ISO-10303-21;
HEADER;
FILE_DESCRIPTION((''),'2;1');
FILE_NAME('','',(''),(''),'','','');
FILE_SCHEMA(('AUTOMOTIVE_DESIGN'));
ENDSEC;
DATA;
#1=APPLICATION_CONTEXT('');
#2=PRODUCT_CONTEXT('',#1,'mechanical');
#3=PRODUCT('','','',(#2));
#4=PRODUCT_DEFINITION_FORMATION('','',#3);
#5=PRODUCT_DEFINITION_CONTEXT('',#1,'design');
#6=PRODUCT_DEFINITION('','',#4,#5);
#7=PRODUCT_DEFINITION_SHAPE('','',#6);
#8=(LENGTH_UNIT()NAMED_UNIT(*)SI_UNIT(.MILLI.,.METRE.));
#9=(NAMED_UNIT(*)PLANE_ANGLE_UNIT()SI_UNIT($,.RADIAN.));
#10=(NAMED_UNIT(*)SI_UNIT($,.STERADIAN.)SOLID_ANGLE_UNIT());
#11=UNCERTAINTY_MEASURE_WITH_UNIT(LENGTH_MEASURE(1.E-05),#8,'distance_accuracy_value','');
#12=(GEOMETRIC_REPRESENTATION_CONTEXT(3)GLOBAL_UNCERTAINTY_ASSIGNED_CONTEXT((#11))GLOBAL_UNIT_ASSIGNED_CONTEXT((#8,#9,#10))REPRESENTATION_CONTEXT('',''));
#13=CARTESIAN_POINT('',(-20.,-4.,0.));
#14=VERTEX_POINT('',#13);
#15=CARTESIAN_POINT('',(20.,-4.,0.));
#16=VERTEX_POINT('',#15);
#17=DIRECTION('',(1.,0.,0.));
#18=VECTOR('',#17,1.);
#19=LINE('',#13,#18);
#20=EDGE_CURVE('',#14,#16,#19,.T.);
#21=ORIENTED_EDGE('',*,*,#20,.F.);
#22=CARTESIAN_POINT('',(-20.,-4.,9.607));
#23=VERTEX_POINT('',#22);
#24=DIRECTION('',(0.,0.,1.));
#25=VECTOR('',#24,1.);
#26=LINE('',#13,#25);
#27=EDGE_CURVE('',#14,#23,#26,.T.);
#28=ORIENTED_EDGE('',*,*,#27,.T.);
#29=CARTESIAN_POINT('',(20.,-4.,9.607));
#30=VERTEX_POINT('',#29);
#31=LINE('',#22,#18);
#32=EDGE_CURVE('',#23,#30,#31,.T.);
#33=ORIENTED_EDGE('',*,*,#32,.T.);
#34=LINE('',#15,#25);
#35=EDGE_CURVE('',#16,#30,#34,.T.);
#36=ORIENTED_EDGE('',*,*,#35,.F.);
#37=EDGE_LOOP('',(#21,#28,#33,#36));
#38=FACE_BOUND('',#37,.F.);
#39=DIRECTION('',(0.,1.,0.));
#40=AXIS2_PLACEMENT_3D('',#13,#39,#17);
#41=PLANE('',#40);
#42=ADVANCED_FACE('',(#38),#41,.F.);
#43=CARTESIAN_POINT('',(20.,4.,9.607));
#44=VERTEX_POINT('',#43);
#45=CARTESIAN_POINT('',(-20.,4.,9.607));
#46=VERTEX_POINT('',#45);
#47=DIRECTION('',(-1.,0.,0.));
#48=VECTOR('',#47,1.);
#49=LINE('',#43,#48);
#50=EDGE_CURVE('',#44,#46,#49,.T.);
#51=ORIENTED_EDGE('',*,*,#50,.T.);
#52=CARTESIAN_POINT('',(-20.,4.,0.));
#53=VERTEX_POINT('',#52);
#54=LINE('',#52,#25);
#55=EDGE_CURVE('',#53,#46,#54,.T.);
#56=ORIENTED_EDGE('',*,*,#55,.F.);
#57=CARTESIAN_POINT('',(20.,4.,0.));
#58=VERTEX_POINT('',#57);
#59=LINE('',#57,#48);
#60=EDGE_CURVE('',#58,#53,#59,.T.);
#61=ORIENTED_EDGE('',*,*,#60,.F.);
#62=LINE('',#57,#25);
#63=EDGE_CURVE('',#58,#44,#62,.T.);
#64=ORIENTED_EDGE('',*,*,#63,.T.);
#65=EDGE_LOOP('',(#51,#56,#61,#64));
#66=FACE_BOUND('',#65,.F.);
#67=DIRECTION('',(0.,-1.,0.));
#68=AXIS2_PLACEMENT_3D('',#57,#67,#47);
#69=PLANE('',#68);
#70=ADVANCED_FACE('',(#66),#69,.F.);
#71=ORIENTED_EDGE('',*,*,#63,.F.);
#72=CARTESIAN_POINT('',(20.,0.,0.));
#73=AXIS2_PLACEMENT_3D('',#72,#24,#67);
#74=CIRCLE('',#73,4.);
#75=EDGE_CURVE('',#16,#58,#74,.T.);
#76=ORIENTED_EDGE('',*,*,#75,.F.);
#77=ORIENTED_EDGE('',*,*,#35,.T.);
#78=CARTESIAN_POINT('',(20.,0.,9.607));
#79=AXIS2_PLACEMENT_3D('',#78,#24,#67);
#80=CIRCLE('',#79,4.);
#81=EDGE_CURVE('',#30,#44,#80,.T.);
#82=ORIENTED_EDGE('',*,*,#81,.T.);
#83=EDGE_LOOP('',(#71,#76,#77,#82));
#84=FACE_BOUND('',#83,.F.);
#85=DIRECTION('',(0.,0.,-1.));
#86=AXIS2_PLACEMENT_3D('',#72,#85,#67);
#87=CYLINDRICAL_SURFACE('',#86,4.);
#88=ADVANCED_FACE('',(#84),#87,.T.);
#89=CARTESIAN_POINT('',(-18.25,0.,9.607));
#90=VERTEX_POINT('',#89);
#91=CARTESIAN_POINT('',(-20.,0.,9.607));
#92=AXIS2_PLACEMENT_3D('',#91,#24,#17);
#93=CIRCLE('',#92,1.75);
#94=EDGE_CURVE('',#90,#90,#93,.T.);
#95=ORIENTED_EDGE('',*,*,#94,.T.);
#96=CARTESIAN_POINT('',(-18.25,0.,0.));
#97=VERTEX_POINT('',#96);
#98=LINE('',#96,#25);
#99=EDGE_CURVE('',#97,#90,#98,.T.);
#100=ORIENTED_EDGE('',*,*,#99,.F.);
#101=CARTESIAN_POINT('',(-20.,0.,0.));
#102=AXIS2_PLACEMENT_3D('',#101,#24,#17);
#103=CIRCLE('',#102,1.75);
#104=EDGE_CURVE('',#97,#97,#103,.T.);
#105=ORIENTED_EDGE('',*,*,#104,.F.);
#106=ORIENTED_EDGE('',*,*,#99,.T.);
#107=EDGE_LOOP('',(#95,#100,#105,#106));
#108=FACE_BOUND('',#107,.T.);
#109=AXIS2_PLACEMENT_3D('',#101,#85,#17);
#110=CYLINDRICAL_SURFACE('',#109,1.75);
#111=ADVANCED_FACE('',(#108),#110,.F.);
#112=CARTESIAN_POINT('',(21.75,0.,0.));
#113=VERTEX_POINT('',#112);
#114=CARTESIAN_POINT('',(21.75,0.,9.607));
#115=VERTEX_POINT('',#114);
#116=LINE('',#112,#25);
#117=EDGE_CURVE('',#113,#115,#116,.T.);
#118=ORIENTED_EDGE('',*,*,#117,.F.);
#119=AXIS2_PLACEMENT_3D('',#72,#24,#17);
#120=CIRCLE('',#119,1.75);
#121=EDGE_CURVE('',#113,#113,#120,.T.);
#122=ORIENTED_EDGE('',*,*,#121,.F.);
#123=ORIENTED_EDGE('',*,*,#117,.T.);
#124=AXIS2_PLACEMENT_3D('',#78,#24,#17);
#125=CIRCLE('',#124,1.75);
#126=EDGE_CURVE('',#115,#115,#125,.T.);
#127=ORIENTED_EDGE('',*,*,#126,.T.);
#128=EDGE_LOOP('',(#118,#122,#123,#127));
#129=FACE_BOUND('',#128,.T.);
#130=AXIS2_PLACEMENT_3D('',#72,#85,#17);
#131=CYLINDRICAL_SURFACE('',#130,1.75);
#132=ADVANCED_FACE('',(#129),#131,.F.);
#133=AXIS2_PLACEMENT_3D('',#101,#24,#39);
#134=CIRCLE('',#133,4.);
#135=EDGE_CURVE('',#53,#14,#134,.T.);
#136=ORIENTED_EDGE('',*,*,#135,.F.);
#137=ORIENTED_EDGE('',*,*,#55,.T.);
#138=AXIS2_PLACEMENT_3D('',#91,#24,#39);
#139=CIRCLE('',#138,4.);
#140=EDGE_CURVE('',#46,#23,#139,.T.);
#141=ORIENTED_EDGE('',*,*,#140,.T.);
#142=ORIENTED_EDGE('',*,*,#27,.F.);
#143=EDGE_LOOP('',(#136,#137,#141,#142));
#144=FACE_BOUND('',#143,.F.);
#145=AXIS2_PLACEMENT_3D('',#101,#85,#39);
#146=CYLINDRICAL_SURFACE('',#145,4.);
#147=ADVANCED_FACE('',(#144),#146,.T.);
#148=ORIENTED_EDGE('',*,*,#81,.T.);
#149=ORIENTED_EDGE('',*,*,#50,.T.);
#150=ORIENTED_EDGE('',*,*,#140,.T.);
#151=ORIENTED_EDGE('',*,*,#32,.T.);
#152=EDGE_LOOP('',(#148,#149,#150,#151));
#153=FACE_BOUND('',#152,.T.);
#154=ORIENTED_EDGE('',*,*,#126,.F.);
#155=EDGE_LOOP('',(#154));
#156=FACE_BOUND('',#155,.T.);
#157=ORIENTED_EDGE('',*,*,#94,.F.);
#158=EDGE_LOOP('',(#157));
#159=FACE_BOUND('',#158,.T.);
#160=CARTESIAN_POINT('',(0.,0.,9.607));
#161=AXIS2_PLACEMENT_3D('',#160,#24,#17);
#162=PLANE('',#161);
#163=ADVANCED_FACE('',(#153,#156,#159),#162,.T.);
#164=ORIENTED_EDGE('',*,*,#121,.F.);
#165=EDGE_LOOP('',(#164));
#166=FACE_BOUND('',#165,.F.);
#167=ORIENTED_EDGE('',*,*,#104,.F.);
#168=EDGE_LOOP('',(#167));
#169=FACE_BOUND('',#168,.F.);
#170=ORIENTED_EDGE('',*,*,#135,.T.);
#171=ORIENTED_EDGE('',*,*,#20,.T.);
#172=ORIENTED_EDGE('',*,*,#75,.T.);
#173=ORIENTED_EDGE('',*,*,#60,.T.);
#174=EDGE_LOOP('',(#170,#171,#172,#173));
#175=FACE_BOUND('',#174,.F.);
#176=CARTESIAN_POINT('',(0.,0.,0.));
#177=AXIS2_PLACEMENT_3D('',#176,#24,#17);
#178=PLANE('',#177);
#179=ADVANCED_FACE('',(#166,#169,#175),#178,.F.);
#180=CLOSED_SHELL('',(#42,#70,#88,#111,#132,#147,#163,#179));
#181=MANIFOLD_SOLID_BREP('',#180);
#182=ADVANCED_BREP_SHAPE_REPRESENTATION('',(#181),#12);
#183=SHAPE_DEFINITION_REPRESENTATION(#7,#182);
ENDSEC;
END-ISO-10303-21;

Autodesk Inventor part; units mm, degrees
ref_plane "YZ Plane" through (0, 0, 0) normal (1, 0, 0) x (0, 1, 0)
ref_plane "XZ Plane" through (0, 0, 0) normal (0, 1, 0) x (-1, 0, 0)
ref_plane "XY Plane" through (0, 0, 0) normal (0, 0, 1) x (1, 0, 0)
sketch "Sketch1" plane through (0, 0, 0) normal (0, 0, 1) x (1, 0, 0)
  line L0 (-20, 0) -> (20, 0) construction
  line L1 (-20, -4) -> (20, -4)
  line L2 (20, 4) -> (-20, 4)
  arc A0 (-20, 4) -> (-20, -4) centre (-20, 0) ccw
  arc A1 (20, -4) -> (20, 4) centre (20, 0) ccw
  circle A2 centre (20, 0) radius 1.75
  circle A3 centre (-20, 0) radius 1.75
  point P0 (0, 0)
  dimension "d0" = 20
  dimension "d1" = 8
  dimension "d2" = 3.5
  dimension "d3" = 3.5
extrude "Extrusion1" add sketch "Sketch1" along normal blind 9.607
properties part number "Neck Servo Arm_3DPrint"
